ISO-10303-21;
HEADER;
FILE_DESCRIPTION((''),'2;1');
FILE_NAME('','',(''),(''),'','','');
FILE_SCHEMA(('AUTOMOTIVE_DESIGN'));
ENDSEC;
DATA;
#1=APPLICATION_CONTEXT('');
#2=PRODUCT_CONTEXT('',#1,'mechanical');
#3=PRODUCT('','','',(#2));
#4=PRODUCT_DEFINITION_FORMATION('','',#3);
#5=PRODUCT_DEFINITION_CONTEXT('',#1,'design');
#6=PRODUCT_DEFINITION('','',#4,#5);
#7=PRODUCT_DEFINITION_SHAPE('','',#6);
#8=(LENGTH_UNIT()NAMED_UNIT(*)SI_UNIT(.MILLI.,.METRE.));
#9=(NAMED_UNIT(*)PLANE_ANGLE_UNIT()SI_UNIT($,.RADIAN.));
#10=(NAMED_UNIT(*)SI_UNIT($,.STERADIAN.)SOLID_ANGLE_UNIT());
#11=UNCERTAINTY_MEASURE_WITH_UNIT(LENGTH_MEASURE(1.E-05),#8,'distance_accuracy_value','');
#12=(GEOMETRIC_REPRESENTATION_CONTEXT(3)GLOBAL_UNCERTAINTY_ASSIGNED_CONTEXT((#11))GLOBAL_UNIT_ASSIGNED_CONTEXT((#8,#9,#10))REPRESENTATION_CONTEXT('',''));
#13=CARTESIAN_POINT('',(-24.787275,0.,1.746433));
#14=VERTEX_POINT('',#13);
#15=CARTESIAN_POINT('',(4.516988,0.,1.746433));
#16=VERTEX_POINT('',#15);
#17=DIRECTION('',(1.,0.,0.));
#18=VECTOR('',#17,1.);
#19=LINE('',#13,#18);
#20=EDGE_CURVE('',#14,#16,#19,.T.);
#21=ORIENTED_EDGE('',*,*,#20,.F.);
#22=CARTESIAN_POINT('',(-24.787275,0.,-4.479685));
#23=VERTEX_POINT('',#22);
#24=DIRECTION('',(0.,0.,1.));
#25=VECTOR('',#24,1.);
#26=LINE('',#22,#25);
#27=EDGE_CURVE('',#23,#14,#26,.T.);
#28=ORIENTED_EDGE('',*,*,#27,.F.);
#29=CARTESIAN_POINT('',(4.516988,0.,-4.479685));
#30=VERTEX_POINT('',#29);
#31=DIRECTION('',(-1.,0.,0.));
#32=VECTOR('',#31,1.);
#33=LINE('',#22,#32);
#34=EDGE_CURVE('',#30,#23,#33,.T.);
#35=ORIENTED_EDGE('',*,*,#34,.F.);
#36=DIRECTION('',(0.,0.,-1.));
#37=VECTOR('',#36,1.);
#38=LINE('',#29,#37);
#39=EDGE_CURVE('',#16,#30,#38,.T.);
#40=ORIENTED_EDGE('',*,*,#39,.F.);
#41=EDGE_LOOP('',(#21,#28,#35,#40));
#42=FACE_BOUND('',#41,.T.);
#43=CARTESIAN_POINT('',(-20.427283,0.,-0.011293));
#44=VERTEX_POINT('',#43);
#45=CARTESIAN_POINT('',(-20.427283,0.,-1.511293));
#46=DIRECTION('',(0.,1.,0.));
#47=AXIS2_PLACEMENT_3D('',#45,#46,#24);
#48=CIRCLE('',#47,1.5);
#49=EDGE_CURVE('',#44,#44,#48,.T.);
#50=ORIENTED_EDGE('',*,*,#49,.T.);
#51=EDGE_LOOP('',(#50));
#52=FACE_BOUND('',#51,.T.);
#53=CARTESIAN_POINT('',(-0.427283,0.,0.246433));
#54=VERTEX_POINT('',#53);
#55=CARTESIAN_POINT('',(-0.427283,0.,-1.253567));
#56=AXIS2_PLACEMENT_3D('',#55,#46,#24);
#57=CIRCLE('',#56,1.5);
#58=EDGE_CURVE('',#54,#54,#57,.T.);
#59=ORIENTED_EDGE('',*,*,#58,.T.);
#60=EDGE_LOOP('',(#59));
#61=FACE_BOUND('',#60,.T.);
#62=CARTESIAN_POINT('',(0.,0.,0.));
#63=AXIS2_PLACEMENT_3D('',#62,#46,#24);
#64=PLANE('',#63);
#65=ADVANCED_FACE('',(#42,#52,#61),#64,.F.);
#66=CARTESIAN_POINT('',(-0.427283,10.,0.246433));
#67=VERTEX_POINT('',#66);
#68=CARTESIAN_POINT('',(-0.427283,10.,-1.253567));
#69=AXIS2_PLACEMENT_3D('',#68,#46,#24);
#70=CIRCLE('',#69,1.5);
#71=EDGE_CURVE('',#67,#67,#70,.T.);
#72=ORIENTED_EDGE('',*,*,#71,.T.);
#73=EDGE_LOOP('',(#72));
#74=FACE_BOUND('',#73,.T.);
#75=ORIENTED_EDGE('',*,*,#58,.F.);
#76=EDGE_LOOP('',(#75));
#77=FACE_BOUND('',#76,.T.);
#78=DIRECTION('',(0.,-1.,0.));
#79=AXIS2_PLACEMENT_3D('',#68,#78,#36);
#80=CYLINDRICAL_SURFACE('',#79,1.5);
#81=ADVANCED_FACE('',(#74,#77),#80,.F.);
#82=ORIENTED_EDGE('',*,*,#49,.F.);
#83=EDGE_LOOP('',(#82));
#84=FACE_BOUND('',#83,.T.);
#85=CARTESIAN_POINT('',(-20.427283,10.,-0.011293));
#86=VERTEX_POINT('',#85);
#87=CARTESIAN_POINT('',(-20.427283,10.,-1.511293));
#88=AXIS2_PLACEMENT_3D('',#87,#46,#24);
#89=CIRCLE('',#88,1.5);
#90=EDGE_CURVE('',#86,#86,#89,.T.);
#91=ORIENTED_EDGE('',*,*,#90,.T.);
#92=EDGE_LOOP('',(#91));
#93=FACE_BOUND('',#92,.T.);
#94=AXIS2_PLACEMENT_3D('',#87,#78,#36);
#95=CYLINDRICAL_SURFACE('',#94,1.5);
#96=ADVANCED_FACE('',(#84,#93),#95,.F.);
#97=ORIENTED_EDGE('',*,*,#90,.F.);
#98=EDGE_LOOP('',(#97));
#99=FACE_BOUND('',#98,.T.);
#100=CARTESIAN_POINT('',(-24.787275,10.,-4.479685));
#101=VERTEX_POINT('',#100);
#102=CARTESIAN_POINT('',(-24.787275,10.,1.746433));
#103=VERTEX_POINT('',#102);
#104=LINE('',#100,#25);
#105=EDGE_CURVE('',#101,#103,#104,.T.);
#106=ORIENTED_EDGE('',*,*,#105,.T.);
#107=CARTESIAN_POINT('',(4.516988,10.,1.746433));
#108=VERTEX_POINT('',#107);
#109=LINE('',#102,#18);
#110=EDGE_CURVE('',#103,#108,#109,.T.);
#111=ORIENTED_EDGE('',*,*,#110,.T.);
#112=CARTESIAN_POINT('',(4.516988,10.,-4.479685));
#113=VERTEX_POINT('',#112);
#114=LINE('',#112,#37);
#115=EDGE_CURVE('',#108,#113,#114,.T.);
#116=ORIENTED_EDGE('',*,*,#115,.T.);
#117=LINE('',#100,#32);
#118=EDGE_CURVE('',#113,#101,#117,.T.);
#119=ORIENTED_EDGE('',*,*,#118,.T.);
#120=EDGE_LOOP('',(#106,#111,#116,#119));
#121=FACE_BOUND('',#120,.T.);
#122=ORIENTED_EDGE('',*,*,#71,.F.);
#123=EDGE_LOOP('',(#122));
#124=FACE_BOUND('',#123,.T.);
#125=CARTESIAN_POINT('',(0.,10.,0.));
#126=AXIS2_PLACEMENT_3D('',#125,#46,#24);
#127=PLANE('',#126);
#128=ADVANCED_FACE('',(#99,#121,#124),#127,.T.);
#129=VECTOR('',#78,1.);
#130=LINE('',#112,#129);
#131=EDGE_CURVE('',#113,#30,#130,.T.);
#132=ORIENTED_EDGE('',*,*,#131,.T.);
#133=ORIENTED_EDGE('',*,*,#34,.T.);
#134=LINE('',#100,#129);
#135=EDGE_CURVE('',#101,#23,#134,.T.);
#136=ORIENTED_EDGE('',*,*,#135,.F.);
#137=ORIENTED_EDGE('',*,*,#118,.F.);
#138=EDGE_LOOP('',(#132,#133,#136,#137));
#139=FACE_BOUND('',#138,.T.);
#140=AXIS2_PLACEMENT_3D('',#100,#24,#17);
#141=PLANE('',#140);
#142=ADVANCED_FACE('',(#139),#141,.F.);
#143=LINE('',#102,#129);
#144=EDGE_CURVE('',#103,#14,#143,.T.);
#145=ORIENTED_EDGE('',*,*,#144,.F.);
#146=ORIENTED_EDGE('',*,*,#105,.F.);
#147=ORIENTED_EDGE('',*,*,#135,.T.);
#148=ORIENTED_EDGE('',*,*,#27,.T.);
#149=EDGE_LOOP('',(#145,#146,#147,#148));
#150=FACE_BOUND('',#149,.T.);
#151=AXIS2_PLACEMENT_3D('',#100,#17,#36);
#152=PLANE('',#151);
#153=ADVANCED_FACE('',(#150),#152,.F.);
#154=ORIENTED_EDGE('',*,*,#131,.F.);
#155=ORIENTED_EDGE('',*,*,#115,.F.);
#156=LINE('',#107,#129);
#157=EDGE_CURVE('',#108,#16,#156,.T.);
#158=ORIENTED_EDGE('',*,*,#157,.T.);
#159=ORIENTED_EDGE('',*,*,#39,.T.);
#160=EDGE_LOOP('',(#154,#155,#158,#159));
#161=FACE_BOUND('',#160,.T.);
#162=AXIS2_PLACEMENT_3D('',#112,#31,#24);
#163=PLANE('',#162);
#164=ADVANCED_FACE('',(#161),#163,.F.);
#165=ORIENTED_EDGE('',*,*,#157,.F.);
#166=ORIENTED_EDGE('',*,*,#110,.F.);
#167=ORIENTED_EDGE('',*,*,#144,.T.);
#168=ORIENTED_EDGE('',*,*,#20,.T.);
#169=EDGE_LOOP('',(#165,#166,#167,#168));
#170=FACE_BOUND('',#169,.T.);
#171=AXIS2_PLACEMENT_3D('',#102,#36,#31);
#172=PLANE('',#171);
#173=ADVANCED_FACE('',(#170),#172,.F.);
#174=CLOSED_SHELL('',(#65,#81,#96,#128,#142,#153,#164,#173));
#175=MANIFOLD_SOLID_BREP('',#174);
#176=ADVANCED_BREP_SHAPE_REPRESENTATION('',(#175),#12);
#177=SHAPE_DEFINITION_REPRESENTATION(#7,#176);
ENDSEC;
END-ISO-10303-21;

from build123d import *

# Parameters (mm, degrees)
SKETCH_1_W      = 29.304262276
SKETCH_1_H      = 6.226118048
SKETCH_1_R      = 1.5
EXTRUDE_1_DEPTH = 10


with BuildPart() as part:
    # 草图1 → 凸台-拉伸1 (new body)
    with BuildSketch(Plane(origin=(0, 0, 0), x_dir=(1, 0, 0), z_dir=(0, 1, 0))):
        with Locations((-10.135143535, 1.366626129)):
            Rectangle(SKETCH_1_W, SKETCH_1_H)
        with Locations(Location((-20.427282611, 1.511293125, 0), (0, 0, 270))):
            Circle(SKETCH_1_R, mode=Mode.SUBTRACT)
        with Locations(Location((-0.427282611, 1.253567105, 0), (0, 0, 270))):
            Circle(SKETCH_1_R, mode=Mode.SUBTRACT)
    extrude(amount=EXTRUDE_1_DEPTH)


solid = part.part
